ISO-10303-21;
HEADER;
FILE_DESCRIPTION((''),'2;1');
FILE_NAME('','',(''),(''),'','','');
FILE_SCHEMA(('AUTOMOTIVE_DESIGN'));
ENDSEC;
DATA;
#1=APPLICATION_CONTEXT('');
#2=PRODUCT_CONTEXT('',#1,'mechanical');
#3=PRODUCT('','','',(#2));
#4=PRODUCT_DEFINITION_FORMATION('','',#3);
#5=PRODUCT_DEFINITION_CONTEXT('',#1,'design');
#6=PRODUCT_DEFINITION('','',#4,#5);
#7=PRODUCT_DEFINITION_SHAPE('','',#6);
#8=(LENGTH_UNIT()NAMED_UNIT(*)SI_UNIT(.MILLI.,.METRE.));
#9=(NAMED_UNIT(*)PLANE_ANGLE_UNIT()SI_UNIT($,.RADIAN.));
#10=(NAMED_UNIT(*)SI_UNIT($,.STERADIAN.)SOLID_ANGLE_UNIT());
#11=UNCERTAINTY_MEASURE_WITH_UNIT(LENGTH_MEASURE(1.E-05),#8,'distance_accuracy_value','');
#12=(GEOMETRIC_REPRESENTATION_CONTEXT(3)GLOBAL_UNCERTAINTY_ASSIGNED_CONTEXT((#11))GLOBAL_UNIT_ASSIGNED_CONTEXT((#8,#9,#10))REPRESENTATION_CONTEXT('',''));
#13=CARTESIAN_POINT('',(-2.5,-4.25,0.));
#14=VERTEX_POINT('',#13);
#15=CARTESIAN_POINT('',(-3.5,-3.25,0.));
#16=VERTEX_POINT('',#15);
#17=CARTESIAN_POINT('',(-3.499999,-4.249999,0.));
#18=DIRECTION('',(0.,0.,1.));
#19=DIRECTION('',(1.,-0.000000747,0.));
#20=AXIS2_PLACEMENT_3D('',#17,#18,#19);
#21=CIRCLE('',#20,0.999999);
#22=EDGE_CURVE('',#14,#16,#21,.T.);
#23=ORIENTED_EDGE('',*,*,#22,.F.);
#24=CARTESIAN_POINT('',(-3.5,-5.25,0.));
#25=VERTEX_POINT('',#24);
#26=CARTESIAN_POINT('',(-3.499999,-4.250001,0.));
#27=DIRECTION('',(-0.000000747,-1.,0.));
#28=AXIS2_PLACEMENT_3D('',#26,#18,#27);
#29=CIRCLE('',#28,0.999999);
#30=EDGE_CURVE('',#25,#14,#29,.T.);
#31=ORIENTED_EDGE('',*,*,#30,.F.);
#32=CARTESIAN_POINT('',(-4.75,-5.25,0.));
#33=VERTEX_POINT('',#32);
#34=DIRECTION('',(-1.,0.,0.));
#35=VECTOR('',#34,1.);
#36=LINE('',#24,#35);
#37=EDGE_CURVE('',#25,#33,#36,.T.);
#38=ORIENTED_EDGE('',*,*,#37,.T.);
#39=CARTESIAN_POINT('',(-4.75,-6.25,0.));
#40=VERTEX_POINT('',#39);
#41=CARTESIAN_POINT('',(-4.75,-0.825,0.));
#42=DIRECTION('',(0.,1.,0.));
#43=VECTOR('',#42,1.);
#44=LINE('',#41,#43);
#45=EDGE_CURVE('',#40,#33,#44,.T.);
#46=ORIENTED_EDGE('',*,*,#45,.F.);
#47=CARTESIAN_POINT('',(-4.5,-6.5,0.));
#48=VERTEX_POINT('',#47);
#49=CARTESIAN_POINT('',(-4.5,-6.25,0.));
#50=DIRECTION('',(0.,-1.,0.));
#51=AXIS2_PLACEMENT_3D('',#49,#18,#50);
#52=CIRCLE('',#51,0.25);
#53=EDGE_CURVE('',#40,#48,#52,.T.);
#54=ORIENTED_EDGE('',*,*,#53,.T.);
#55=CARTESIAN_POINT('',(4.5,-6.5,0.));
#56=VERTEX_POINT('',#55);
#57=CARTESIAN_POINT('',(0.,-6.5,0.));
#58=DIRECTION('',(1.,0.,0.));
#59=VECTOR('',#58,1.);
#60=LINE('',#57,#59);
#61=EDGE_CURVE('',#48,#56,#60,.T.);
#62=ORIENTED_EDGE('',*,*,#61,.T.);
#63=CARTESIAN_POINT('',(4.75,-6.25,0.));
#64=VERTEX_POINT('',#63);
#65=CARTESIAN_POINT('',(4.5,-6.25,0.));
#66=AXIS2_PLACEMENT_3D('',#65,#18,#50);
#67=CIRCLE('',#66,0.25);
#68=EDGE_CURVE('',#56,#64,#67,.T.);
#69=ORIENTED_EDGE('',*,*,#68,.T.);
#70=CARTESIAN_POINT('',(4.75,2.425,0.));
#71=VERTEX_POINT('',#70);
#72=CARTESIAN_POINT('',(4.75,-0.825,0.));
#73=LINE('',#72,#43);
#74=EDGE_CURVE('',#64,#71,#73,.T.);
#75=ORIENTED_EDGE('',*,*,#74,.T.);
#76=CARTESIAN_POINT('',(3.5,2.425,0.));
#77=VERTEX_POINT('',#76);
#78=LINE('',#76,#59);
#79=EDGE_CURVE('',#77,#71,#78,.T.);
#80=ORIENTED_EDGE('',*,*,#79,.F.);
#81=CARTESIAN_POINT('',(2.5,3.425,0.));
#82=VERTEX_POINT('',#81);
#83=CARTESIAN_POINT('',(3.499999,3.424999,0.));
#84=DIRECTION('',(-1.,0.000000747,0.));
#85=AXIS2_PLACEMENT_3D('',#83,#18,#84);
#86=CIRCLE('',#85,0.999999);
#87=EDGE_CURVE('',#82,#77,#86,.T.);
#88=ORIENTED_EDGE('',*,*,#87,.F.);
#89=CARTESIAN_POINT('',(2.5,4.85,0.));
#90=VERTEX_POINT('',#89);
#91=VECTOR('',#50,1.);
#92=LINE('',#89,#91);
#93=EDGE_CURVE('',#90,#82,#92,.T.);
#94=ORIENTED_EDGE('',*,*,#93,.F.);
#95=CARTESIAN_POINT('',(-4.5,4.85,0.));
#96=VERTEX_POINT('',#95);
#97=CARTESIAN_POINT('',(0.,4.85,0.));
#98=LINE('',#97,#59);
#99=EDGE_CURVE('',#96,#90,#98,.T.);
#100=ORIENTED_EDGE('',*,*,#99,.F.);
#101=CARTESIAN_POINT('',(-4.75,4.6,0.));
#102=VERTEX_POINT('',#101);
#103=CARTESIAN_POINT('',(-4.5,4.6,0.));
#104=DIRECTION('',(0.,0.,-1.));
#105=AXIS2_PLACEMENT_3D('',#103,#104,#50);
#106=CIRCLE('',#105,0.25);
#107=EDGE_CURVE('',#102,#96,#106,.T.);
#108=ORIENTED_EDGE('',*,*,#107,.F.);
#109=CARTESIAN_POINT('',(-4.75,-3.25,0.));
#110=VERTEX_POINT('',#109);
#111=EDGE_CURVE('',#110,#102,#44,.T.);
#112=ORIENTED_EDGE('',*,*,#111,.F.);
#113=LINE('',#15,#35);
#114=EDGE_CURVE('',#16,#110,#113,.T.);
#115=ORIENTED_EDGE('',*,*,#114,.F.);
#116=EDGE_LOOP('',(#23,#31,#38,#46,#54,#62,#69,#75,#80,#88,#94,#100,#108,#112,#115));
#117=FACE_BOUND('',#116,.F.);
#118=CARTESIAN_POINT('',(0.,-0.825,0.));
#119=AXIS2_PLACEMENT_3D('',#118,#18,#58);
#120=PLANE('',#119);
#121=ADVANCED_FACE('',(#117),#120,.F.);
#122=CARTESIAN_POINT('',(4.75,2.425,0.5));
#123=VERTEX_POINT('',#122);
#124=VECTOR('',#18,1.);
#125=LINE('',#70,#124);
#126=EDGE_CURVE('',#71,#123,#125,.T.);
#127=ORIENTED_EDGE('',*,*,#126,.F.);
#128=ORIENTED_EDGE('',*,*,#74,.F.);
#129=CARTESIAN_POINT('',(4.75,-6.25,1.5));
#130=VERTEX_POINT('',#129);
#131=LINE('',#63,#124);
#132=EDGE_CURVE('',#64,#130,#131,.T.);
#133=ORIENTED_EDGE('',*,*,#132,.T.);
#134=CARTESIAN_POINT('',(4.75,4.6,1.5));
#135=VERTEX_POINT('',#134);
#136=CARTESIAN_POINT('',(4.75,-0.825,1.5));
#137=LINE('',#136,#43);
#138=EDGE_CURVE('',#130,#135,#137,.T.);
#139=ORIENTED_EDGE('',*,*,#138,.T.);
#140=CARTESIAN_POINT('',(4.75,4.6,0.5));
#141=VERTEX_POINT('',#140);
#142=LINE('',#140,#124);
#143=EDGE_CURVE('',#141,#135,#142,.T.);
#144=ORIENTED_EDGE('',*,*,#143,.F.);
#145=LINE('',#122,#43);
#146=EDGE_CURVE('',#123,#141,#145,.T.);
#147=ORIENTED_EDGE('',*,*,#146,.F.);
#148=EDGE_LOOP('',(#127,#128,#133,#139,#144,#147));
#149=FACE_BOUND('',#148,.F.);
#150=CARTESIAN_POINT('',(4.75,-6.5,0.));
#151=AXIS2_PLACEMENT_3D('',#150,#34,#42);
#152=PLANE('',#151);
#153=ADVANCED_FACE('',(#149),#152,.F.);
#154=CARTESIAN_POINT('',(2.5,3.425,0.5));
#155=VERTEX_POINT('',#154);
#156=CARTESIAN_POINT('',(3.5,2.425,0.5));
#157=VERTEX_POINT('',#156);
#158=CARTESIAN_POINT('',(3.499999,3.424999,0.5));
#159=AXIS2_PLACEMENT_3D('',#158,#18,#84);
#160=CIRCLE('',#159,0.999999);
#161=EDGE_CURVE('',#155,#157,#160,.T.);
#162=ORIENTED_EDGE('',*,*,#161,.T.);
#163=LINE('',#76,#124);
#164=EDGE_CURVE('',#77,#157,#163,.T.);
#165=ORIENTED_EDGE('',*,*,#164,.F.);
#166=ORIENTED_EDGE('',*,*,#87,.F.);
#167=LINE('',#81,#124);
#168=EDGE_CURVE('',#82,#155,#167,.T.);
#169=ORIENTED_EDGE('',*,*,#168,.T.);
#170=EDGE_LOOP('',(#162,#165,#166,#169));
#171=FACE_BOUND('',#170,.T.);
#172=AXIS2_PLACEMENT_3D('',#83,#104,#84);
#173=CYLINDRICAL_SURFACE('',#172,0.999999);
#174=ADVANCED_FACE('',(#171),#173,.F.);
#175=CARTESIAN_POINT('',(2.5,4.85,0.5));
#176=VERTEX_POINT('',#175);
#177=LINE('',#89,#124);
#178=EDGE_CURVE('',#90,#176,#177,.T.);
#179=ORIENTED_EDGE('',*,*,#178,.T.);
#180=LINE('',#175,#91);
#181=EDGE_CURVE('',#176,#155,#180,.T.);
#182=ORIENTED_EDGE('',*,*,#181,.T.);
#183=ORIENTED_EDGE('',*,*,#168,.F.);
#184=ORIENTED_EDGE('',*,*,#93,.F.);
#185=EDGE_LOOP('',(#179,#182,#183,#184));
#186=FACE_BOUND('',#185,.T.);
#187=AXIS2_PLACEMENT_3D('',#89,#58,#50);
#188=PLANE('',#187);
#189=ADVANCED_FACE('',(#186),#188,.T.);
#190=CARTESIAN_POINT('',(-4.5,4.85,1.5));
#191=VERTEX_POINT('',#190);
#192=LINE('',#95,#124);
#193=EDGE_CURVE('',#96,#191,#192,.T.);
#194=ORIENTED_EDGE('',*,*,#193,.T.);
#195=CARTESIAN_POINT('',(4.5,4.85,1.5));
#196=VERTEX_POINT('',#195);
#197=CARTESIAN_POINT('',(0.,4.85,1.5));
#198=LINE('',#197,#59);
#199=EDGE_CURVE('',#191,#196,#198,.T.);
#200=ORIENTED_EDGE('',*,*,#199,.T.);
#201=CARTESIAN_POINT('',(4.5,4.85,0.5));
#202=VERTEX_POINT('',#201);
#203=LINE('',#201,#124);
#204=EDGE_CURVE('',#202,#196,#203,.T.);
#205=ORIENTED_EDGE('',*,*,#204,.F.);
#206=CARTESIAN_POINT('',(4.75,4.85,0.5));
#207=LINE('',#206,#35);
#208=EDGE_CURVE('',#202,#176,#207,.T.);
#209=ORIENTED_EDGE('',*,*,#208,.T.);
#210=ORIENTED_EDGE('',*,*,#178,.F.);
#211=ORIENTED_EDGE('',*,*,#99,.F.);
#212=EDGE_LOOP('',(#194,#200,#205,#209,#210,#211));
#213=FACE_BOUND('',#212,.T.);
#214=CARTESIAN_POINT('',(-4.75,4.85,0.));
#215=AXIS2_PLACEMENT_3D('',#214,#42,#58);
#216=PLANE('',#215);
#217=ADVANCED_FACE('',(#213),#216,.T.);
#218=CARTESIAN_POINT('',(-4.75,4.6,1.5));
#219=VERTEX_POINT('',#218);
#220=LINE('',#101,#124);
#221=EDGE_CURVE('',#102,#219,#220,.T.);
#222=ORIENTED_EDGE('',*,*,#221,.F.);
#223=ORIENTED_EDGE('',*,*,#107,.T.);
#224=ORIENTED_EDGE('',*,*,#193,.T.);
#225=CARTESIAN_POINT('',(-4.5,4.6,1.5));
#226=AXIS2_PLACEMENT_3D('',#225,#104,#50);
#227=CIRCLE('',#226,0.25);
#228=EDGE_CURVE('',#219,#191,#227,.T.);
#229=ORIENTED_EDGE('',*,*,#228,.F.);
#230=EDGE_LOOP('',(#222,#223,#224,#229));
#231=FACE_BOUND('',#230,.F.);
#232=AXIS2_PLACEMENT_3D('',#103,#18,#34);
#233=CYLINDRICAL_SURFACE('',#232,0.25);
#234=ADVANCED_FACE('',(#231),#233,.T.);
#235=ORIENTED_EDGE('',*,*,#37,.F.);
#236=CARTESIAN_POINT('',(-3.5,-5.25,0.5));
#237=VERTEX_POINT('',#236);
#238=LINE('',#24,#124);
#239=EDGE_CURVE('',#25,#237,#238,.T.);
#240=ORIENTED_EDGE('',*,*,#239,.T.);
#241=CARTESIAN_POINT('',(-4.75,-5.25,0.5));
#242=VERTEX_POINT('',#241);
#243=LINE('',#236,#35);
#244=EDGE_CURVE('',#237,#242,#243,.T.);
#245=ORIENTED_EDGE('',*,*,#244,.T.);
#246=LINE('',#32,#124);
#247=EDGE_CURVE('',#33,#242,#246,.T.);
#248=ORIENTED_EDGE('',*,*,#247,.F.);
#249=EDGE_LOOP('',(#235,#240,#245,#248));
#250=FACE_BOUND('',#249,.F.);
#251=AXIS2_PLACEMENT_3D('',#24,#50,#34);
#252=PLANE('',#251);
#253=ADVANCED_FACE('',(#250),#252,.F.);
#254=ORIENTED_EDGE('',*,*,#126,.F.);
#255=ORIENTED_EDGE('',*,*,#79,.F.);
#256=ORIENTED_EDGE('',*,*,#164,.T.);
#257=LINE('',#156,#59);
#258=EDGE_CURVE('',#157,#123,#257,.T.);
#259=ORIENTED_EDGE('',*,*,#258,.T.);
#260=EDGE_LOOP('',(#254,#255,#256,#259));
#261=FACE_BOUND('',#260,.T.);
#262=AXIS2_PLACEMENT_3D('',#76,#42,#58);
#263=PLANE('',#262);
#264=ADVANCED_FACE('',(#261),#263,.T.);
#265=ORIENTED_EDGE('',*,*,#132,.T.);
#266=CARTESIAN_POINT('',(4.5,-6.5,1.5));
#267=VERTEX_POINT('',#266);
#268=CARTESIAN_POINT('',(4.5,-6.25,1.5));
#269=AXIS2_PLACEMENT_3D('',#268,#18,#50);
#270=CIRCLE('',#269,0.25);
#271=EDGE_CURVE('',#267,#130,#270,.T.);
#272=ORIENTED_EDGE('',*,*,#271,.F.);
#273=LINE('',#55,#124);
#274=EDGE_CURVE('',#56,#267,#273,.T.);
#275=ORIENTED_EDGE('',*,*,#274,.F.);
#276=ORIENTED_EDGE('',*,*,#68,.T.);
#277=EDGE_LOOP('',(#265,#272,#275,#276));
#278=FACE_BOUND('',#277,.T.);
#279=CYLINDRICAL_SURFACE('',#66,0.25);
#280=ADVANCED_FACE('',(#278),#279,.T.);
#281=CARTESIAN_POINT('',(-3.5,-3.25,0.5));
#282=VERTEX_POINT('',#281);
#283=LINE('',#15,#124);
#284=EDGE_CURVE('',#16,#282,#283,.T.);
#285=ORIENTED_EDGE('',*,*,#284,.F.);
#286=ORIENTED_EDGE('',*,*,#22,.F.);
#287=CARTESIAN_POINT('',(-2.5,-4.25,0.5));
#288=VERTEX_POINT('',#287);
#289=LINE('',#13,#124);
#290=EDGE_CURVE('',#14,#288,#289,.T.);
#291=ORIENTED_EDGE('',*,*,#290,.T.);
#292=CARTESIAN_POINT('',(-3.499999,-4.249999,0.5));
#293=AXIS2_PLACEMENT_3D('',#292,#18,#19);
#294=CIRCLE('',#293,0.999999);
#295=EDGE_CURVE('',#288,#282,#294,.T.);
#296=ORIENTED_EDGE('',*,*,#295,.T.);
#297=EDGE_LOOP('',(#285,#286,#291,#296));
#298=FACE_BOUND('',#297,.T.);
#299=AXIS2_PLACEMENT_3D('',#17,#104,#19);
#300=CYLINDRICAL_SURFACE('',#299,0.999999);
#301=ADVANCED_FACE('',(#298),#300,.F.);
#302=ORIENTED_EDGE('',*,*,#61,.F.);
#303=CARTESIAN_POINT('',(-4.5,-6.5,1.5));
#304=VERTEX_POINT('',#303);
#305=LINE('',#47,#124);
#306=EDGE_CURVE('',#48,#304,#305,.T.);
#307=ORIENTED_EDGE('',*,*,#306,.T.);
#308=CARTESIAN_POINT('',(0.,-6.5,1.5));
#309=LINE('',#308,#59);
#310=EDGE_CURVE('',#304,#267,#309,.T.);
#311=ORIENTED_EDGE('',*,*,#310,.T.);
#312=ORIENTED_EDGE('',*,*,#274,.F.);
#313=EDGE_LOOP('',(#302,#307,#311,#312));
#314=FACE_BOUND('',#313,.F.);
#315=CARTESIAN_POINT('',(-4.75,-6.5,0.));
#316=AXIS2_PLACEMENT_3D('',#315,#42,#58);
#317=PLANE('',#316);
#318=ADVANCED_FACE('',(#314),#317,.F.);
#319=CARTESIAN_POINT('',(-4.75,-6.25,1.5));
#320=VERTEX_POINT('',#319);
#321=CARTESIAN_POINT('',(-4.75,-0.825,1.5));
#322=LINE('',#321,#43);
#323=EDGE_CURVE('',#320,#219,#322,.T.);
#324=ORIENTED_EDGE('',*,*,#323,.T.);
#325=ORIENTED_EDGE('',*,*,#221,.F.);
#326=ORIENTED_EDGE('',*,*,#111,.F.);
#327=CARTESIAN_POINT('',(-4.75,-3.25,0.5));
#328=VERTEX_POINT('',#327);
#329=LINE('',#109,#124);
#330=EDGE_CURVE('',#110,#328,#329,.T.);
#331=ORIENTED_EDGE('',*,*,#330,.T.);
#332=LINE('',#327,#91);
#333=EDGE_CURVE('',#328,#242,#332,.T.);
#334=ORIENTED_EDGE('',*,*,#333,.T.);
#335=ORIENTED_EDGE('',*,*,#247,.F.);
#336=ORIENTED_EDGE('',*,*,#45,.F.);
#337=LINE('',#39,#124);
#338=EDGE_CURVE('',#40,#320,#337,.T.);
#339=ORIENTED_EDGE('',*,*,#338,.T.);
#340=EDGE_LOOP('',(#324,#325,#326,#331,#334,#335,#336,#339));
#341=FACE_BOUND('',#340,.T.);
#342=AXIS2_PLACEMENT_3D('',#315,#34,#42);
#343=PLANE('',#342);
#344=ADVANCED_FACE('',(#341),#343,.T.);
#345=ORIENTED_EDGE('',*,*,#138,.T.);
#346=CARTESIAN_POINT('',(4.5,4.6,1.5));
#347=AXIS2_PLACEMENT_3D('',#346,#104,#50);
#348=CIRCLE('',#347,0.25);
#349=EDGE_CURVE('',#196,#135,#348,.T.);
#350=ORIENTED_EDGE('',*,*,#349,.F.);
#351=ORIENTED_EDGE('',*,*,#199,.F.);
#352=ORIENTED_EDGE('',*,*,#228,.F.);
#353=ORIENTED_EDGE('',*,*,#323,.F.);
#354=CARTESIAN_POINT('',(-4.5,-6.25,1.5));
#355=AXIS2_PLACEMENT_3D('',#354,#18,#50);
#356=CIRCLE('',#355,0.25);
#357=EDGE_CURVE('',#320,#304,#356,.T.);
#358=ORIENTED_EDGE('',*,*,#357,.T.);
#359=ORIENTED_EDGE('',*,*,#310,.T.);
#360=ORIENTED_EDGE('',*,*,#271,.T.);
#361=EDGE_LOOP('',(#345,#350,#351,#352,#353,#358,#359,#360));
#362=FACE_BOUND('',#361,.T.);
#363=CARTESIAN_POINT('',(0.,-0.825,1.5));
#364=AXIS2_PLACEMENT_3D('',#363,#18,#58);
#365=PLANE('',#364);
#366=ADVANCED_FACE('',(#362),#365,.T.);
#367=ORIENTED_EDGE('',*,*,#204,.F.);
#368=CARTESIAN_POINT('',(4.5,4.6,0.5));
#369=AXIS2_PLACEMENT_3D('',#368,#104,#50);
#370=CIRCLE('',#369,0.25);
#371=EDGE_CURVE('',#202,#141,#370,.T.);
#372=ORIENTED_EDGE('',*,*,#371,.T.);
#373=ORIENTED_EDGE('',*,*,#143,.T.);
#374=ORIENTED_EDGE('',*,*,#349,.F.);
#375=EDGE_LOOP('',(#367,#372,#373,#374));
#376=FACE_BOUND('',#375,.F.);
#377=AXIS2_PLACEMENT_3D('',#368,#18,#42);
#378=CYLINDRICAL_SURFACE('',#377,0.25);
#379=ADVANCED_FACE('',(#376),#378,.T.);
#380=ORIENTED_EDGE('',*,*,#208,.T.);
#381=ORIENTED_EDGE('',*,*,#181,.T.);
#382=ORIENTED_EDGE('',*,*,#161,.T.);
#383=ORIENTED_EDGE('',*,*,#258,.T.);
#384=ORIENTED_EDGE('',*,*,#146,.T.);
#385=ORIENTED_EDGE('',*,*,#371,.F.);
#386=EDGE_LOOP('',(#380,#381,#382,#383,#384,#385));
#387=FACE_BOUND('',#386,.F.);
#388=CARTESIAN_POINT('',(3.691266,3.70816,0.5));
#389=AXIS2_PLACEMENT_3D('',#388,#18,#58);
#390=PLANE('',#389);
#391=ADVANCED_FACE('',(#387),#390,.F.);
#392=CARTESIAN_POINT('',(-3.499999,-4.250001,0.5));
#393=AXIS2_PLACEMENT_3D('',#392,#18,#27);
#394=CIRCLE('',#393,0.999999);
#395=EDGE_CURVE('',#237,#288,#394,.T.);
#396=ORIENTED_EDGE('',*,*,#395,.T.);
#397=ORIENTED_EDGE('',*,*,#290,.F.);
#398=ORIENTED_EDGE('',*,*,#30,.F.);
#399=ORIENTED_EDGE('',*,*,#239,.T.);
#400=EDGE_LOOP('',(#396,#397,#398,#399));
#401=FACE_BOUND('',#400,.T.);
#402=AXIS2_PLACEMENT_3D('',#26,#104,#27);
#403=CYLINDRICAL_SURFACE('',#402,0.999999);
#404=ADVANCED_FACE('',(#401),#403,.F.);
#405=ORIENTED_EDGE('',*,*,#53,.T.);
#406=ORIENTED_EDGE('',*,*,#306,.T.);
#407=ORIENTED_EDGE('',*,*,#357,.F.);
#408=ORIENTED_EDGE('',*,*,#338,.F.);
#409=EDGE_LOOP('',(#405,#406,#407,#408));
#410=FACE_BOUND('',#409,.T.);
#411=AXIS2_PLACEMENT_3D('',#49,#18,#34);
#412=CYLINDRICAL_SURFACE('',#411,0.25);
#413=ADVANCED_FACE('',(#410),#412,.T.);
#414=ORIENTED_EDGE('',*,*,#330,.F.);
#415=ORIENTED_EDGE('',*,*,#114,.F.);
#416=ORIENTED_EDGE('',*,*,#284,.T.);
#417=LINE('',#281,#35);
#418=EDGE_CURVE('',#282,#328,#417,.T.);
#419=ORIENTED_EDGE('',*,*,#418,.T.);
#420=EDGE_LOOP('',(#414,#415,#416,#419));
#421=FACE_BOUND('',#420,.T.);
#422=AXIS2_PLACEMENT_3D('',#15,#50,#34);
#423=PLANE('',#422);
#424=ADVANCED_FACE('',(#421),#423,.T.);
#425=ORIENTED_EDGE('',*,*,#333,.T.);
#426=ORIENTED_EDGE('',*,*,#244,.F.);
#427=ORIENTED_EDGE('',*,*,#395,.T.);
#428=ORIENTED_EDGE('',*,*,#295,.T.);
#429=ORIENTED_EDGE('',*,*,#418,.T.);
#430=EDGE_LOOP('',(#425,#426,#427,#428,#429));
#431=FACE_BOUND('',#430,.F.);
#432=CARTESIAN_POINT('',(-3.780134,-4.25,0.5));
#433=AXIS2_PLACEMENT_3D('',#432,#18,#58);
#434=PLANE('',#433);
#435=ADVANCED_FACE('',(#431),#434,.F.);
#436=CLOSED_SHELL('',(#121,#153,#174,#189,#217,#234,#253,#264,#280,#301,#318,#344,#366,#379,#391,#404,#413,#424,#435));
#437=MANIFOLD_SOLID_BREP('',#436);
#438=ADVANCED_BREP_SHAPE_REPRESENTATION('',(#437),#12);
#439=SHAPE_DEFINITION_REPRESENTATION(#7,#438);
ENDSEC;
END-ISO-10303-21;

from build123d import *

# Parameters (mm, degrees)
SKETCH_W        = 9.5
SKETCH_H        = 11.35
PAD_DEPTH       = 1.5
POCKET003_DEPTH = 0.5
FILLET006_R     = 0.25


with BuildPart() as part:
    # Sketch → Pad (new body)
    with BuildSketch(Plane.XY):
        with Locations((0, -0.825)):
            Rectangle(SKETCH_W, SKETCH_H)
    extrude(amount=PAD_DEPTH)

    # Sketch009 → Pocket003 (cut)
    with BuildSketch(Plane.XY):
        with BuildLine():
            Line((4.75, 4.85), (2.5, 4.85))
            Line((2.5, 4.85), (2.5, 3.425))
            ThreePointArc((2.5, 3.425), (2.792893, 2.717893), (3.5, 2.425))
            Line((3.5, 2.425), (4.75, 2.425))
            Line((4.75, 2.425), (4.75, 4.85))
        make_face()
        with BuildLine():
            Line((-3.5, -3.25), (-4.75, -3.25))
            Line((-4.75, -3.25), (-4.75, -5.25))
            Line((-3.5, -5.25), (-4.75, -5.25))
            ThreePointArc((-3.5, -5.25), (-2.792893, -4.957107), (-2.5, -4.25))
            ThreePointArc((-2.5, -4.25), (-2.792893, -3.542893), (-3.5, -3.25))
        make_face()
    extrude(amount=POCKET003_DEPTH, mode=Mode.SUBTRACT)

    # Fillet006
    fillet006_edges = [part.edges().sort_by_distance(p)[0] for p in [
        (4.75, 4.85, 1),
        (4.75, -6.5, 0.75),
        (-4.75, -6.5, 0.75),
        (-4.75, 4.85, 0.75),
    ]]
    fillet(fillet006_edges, radius=FILLET006_R)


solid = part.part
